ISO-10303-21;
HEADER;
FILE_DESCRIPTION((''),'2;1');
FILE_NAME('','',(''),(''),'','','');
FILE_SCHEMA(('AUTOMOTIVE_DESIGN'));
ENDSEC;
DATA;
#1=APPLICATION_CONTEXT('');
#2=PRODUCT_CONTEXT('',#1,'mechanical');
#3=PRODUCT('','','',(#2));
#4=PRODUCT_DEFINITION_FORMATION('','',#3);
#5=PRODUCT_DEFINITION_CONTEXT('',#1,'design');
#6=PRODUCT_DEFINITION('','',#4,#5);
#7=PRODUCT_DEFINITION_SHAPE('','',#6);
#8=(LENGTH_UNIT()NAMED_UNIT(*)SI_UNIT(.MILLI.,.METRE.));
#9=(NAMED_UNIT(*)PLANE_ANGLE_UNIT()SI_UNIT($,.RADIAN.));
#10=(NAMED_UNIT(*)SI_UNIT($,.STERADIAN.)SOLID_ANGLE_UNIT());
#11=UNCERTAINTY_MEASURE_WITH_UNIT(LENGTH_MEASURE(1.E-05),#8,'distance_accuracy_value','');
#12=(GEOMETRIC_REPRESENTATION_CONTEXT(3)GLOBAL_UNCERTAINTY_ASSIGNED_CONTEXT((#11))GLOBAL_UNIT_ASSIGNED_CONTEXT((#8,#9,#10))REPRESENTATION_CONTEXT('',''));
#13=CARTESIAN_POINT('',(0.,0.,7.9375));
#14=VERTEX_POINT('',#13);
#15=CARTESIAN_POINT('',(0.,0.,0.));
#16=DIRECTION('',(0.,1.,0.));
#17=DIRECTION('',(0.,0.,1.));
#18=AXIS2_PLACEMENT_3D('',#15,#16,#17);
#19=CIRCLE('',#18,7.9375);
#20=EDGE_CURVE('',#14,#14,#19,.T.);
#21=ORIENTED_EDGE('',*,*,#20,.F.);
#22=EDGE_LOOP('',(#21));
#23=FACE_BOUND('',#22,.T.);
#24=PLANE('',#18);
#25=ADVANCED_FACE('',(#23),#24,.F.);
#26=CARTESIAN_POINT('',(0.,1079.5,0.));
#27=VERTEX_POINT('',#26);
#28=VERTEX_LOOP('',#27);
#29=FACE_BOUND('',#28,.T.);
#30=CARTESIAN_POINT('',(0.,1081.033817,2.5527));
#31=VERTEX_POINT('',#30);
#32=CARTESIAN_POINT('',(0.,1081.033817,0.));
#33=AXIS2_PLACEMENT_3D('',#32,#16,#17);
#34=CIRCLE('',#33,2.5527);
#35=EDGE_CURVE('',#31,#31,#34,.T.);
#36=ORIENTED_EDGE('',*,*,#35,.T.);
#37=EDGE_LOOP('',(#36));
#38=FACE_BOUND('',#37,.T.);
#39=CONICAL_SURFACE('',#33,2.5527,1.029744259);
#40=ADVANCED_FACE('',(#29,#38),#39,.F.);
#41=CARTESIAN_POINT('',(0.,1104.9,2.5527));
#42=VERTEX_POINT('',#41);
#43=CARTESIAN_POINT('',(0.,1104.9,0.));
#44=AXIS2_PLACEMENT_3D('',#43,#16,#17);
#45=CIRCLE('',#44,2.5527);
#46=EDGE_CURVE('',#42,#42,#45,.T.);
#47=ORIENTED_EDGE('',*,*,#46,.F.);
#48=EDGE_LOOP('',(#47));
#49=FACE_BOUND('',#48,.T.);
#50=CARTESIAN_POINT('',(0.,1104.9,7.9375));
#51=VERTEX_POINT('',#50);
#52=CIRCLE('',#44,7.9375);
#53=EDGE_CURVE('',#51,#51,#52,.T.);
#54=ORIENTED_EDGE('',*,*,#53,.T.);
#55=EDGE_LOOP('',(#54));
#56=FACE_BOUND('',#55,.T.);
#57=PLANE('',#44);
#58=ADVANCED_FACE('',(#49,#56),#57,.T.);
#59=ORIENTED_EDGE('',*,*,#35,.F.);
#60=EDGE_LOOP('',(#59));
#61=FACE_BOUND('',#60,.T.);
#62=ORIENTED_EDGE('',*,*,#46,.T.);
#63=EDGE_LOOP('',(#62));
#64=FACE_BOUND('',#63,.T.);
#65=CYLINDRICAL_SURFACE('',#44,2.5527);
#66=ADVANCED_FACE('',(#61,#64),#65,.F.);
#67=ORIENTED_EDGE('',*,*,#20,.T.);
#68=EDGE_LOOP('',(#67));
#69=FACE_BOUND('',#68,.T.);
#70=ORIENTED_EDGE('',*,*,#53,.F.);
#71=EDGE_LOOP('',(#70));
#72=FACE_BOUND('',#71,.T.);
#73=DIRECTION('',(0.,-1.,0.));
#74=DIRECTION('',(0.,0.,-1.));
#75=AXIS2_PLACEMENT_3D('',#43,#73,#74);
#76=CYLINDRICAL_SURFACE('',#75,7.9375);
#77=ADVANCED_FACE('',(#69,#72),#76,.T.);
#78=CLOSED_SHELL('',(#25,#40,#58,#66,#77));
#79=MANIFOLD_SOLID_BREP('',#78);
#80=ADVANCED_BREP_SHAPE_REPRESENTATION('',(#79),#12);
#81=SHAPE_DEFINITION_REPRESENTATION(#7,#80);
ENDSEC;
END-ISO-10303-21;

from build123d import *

# Parameters (mm, degrees)
SKETCH1_R                   = 7.9375
BOSS_EXTRUDE1_DEPTH         = 1104.9
F_1_4_20_TAPPED_HOLE1_D     = 5.1054
F_1_4_20_TAPPED_HOLE1_DEPTH = 23.866183098
F_1_4_20_TAPPED_HOLE1_TIP   = 1.533816902


with BuildPart() as part:
    # Sketch1 → Boss-Extrude1 (new body)
    with BuildSketch(Plane(origin=(0, 0, 0), x_dir=(1, 0, 0), z_dir=(0, 1, 0))):
        with Locations(Location((0, 0, 0), (0, 0, 270))):
            Circle(SKETCH1_R)
    extrude(amount=BOSS_EXTRUDE1_DEPTH)

    # 1/4-20 Tapped Hole1
    with Locations(Plane(origin=(0, 1104.9, 0), x_dir=(1, 0, 0), z_dir=(0, 1, 0))):
        with Locations((0, 0)):
            Hole(F_1_4_20_TAPPED_HOLE1_D / 2, depth=F_1_4_20_TAPPED_HOLE1_DEPTH)
            with Locations((0, 0, -(F_1_4_20_TAPPED_HOLE1_DEPTH + F_1_4_20_TAPPED_HOLE1_TIP / 2))):  # 118° drill point
                Cone(0, F_1_4_20_TAPPED_HOLE1_D / 2, F_1_4_20_TAPPED_HOLE1_TIP, mode=Mode.SUBTRACT)


solid = part.part
